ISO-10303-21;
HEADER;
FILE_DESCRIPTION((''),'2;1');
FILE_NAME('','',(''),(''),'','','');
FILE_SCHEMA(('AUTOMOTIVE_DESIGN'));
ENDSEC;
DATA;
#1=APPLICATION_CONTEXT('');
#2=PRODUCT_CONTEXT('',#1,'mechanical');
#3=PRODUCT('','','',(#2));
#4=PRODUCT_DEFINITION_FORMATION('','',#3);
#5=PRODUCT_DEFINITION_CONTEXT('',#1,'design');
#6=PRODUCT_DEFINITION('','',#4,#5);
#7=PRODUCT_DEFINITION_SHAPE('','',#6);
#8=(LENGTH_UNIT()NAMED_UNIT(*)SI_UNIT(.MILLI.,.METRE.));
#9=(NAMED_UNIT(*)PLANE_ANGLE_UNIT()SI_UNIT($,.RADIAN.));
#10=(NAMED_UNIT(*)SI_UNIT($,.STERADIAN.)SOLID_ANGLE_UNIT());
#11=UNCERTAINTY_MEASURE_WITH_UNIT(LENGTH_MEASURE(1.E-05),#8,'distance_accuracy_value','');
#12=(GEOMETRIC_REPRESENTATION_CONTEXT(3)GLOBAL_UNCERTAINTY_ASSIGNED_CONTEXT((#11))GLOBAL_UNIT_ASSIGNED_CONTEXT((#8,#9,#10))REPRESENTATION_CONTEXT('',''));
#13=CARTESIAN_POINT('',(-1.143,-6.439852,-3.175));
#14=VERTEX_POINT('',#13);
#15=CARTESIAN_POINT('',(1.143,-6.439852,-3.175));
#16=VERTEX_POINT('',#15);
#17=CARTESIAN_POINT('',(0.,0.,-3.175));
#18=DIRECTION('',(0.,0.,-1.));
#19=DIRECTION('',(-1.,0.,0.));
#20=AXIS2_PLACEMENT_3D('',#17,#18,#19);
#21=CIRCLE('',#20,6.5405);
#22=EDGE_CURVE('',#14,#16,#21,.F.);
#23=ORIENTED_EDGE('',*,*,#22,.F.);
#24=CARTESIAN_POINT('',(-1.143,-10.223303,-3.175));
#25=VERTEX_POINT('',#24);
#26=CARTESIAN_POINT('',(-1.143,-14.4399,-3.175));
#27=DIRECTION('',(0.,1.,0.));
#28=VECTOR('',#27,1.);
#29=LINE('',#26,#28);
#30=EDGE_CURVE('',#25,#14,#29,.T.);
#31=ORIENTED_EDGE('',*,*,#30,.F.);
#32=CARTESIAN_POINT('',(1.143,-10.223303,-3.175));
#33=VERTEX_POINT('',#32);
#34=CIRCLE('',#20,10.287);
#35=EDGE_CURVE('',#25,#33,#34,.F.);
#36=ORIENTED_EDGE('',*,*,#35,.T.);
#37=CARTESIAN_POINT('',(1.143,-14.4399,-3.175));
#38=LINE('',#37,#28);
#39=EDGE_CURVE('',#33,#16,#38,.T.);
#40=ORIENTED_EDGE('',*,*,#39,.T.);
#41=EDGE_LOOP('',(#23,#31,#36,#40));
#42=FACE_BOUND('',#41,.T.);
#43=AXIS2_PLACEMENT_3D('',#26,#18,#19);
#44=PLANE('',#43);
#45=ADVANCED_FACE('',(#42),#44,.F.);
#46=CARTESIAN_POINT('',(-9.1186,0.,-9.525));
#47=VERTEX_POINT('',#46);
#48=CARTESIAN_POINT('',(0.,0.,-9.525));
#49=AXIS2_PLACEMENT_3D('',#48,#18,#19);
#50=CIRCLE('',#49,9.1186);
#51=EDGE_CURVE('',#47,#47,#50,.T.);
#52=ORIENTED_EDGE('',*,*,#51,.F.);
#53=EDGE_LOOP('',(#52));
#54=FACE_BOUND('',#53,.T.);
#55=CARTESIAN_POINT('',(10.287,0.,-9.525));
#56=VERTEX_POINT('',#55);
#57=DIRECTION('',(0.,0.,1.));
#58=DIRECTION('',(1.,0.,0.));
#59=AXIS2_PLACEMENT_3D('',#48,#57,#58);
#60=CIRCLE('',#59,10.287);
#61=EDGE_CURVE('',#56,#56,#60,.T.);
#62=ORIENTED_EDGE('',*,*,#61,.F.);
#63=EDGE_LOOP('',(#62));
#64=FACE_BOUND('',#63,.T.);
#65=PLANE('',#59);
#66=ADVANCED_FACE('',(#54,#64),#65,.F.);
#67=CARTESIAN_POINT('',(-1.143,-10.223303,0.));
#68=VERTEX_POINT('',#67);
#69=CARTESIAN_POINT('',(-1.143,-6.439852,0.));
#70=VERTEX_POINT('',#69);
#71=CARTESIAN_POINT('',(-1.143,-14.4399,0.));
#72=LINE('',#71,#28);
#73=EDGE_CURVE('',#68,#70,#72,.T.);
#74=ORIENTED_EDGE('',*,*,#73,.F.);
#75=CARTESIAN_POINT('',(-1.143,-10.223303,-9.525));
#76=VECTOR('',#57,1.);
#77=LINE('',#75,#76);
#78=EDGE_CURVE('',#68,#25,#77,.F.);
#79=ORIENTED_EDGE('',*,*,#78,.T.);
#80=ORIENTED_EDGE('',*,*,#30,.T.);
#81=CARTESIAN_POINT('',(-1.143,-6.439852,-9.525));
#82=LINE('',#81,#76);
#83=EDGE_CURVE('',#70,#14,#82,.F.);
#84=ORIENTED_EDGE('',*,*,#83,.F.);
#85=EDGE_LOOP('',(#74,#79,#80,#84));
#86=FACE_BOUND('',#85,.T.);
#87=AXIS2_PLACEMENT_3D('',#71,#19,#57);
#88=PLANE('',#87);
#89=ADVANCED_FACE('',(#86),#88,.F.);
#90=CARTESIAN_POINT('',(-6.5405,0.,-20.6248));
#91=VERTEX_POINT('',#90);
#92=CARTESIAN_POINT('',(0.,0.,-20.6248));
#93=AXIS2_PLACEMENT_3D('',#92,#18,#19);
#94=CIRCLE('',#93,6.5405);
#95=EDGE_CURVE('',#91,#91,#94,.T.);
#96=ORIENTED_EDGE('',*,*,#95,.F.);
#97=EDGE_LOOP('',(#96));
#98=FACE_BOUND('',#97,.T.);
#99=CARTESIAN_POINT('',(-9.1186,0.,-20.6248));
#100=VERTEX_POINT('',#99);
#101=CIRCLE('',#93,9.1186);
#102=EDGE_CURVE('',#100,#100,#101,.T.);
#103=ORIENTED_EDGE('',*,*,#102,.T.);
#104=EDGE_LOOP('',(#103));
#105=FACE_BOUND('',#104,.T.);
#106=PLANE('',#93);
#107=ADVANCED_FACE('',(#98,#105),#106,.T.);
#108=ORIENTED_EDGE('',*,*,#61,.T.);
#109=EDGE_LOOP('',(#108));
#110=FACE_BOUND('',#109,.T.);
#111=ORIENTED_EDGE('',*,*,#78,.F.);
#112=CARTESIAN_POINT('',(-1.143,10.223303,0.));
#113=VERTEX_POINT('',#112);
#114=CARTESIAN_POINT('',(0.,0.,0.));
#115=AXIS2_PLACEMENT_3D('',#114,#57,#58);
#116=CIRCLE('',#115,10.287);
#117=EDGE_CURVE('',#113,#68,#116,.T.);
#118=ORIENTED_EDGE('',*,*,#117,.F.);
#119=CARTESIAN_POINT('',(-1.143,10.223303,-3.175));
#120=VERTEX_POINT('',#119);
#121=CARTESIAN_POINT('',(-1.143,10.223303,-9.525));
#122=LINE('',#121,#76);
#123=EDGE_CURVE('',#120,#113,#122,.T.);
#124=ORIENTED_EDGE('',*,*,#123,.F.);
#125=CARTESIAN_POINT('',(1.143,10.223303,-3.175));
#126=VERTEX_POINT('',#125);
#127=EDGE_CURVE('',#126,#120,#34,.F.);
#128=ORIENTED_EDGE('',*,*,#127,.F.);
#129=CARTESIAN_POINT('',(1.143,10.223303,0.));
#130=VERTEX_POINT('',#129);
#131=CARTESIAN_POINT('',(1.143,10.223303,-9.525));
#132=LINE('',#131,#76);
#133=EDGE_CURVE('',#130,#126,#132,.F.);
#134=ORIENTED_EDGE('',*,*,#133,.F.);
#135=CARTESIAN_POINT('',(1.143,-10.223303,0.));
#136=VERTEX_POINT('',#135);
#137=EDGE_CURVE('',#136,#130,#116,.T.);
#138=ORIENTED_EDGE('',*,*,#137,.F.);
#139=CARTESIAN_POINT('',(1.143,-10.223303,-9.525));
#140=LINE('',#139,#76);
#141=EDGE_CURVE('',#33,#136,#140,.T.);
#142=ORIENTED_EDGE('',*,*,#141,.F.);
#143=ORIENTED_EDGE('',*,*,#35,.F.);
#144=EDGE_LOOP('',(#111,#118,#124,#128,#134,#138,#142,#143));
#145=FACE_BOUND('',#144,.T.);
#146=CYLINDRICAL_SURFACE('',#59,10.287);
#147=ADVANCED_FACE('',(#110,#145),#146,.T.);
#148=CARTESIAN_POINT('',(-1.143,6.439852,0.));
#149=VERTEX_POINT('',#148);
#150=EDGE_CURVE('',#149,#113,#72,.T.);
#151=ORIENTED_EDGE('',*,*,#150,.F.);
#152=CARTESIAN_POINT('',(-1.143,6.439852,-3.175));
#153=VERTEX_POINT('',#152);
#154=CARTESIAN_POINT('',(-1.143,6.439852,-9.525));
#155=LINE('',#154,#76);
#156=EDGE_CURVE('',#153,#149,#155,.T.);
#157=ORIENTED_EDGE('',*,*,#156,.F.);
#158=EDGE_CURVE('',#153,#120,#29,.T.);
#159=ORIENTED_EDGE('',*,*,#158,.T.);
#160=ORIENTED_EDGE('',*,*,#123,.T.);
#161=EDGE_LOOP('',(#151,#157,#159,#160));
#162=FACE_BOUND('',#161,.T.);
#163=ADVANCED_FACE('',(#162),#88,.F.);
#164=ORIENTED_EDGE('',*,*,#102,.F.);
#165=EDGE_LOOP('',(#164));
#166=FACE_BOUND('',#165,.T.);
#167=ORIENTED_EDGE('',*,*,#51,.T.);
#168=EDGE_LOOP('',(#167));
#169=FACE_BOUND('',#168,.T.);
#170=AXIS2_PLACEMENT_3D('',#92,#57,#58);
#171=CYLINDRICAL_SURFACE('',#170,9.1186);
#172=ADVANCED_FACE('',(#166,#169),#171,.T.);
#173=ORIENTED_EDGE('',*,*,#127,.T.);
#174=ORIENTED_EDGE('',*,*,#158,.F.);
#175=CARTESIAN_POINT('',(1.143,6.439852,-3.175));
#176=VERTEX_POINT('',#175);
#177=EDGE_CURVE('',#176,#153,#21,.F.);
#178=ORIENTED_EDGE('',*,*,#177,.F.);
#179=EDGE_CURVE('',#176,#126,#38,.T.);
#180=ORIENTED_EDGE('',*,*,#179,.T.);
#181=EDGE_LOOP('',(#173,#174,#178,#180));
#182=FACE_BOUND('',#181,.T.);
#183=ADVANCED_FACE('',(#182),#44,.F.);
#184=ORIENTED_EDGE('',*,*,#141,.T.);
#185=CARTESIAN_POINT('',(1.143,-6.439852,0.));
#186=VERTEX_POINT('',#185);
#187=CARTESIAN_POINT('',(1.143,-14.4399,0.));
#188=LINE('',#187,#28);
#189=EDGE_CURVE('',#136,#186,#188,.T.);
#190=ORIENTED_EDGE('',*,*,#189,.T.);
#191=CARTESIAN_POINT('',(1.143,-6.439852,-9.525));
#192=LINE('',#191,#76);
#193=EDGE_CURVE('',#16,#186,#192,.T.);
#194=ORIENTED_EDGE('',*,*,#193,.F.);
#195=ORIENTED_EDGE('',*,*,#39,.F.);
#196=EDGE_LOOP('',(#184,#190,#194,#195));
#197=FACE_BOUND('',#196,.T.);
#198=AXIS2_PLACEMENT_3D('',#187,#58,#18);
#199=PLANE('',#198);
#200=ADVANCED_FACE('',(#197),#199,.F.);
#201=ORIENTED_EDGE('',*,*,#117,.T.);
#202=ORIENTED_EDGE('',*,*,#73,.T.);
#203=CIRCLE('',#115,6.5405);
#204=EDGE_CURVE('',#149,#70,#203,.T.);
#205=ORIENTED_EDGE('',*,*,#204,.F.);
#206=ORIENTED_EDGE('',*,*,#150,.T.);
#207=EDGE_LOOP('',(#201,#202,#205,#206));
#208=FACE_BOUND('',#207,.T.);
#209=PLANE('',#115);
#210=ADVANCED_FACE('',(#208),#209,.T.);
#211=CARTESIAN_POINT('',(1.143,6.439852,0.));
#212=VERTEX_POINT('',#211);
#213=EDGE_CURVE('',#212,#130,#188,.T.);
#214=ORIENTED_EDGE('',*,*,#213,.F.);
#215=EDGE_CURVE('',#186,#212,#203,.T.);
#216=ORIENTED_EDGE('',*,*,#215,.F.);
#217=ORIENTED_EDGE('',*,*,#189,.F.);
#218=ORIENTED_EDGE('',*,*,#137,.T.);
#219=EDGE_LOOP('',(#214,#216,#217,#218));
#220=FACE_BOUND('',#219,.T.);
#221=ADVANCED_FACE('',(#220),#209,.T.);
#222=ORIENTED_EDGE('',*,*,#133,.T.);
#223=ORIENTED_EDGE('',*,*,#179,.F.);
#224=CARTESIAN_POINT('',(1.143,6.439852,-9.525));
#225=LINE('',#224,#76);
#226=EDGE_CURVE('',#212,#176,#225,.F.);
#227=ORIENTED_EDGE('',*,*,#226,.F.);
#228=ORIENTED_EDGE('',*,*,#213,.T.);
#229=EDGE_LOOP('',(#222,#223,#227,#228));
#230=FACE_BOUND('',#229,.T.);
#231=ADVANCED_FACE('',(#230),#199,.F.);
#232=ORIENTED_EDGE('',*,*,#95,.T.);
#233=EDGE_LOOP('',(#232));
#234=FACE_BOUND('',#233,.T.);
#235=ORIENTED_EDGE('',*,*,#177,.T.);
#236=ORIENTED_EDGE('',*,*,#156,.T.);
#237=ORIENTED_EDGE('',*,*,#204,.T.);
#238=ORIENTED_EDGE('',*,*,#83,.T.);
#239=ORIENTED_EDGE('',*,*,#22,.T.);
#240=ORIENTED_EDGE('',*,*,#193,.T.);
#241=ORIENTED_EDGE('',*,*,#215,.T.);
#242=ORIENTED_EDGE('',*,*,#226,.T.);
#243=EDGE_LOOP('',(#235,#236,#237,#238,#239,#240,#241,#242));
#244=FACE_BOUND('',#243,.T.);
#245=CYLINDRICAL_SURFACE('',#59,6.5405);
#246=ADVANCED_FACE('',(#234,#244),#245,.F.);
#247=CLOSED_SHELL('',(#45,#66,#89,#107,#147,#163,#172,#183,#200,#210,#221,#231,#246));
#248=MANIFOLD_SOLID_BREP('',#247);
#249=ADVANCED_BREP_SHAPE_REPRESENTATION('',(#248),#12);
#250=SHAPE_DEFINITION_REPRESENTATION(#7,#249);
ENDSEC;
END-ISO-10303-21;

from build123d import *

# Parameters (mm, degrees)
SKETCH1_R           = 10.287
SKETCH1_R_2         = 6.5405
BOSS_EXTRUDE1_DEPTH = 9.525
SKETCH3_R           = 9.1186
SKETCH3_R_2         = 6.5405
BOSS_EXTRUDE3_DEPTH = 11.0998
SKETCH4_W           = 2.286
SKETCH4_H           = 3.175
CUT_EXTRUDE1_DEPTH  = 14.4399


with BuildPart() as part:
    # Sketch1 → Boss-Extrude1 (new body)
    with BuildSketch(Plane.XY):
        Circle(SKETCH1_R)
        Circle(SKETCH1_R_2, mode=Mode.SUBTRACT)
    extrude(amount=-BOSS_EXTRUDE1_DEPTH)

    # Sketch3 → Boss-Extrude3 (add)
    with BuildSketch(Plane(origin=(0, 0, -9.525), x_dir=(-1, 0, 0), z_dir=(0, 0, -1))):
        Circle(SKETCH3_R)
        with Locations(Location((0, 0, 0), (0, 0, 180))):
            Circle(SKETCH3_R_2, mode=Mode.SUBTRACT)
    extrude(amount=BOSS_EXTRUDE3_DEPTH)

    # Sketch4 → Cut-Extrude1 (cut, symmetric)
    with BuildSketch(Plane(origin=(0, 0, 0), x_dir=(1, 0, 0), z_dir=(0, 1, 0))):
        with Locations((0, 1.5875)):
            Rectangle(SKETCH4_W, SKETCH4_H)
    extrude(amount=CUT_EXTRUDE1_DEPTH, both=True, mode=Mode.SUBTRACT)


solid = part.part
